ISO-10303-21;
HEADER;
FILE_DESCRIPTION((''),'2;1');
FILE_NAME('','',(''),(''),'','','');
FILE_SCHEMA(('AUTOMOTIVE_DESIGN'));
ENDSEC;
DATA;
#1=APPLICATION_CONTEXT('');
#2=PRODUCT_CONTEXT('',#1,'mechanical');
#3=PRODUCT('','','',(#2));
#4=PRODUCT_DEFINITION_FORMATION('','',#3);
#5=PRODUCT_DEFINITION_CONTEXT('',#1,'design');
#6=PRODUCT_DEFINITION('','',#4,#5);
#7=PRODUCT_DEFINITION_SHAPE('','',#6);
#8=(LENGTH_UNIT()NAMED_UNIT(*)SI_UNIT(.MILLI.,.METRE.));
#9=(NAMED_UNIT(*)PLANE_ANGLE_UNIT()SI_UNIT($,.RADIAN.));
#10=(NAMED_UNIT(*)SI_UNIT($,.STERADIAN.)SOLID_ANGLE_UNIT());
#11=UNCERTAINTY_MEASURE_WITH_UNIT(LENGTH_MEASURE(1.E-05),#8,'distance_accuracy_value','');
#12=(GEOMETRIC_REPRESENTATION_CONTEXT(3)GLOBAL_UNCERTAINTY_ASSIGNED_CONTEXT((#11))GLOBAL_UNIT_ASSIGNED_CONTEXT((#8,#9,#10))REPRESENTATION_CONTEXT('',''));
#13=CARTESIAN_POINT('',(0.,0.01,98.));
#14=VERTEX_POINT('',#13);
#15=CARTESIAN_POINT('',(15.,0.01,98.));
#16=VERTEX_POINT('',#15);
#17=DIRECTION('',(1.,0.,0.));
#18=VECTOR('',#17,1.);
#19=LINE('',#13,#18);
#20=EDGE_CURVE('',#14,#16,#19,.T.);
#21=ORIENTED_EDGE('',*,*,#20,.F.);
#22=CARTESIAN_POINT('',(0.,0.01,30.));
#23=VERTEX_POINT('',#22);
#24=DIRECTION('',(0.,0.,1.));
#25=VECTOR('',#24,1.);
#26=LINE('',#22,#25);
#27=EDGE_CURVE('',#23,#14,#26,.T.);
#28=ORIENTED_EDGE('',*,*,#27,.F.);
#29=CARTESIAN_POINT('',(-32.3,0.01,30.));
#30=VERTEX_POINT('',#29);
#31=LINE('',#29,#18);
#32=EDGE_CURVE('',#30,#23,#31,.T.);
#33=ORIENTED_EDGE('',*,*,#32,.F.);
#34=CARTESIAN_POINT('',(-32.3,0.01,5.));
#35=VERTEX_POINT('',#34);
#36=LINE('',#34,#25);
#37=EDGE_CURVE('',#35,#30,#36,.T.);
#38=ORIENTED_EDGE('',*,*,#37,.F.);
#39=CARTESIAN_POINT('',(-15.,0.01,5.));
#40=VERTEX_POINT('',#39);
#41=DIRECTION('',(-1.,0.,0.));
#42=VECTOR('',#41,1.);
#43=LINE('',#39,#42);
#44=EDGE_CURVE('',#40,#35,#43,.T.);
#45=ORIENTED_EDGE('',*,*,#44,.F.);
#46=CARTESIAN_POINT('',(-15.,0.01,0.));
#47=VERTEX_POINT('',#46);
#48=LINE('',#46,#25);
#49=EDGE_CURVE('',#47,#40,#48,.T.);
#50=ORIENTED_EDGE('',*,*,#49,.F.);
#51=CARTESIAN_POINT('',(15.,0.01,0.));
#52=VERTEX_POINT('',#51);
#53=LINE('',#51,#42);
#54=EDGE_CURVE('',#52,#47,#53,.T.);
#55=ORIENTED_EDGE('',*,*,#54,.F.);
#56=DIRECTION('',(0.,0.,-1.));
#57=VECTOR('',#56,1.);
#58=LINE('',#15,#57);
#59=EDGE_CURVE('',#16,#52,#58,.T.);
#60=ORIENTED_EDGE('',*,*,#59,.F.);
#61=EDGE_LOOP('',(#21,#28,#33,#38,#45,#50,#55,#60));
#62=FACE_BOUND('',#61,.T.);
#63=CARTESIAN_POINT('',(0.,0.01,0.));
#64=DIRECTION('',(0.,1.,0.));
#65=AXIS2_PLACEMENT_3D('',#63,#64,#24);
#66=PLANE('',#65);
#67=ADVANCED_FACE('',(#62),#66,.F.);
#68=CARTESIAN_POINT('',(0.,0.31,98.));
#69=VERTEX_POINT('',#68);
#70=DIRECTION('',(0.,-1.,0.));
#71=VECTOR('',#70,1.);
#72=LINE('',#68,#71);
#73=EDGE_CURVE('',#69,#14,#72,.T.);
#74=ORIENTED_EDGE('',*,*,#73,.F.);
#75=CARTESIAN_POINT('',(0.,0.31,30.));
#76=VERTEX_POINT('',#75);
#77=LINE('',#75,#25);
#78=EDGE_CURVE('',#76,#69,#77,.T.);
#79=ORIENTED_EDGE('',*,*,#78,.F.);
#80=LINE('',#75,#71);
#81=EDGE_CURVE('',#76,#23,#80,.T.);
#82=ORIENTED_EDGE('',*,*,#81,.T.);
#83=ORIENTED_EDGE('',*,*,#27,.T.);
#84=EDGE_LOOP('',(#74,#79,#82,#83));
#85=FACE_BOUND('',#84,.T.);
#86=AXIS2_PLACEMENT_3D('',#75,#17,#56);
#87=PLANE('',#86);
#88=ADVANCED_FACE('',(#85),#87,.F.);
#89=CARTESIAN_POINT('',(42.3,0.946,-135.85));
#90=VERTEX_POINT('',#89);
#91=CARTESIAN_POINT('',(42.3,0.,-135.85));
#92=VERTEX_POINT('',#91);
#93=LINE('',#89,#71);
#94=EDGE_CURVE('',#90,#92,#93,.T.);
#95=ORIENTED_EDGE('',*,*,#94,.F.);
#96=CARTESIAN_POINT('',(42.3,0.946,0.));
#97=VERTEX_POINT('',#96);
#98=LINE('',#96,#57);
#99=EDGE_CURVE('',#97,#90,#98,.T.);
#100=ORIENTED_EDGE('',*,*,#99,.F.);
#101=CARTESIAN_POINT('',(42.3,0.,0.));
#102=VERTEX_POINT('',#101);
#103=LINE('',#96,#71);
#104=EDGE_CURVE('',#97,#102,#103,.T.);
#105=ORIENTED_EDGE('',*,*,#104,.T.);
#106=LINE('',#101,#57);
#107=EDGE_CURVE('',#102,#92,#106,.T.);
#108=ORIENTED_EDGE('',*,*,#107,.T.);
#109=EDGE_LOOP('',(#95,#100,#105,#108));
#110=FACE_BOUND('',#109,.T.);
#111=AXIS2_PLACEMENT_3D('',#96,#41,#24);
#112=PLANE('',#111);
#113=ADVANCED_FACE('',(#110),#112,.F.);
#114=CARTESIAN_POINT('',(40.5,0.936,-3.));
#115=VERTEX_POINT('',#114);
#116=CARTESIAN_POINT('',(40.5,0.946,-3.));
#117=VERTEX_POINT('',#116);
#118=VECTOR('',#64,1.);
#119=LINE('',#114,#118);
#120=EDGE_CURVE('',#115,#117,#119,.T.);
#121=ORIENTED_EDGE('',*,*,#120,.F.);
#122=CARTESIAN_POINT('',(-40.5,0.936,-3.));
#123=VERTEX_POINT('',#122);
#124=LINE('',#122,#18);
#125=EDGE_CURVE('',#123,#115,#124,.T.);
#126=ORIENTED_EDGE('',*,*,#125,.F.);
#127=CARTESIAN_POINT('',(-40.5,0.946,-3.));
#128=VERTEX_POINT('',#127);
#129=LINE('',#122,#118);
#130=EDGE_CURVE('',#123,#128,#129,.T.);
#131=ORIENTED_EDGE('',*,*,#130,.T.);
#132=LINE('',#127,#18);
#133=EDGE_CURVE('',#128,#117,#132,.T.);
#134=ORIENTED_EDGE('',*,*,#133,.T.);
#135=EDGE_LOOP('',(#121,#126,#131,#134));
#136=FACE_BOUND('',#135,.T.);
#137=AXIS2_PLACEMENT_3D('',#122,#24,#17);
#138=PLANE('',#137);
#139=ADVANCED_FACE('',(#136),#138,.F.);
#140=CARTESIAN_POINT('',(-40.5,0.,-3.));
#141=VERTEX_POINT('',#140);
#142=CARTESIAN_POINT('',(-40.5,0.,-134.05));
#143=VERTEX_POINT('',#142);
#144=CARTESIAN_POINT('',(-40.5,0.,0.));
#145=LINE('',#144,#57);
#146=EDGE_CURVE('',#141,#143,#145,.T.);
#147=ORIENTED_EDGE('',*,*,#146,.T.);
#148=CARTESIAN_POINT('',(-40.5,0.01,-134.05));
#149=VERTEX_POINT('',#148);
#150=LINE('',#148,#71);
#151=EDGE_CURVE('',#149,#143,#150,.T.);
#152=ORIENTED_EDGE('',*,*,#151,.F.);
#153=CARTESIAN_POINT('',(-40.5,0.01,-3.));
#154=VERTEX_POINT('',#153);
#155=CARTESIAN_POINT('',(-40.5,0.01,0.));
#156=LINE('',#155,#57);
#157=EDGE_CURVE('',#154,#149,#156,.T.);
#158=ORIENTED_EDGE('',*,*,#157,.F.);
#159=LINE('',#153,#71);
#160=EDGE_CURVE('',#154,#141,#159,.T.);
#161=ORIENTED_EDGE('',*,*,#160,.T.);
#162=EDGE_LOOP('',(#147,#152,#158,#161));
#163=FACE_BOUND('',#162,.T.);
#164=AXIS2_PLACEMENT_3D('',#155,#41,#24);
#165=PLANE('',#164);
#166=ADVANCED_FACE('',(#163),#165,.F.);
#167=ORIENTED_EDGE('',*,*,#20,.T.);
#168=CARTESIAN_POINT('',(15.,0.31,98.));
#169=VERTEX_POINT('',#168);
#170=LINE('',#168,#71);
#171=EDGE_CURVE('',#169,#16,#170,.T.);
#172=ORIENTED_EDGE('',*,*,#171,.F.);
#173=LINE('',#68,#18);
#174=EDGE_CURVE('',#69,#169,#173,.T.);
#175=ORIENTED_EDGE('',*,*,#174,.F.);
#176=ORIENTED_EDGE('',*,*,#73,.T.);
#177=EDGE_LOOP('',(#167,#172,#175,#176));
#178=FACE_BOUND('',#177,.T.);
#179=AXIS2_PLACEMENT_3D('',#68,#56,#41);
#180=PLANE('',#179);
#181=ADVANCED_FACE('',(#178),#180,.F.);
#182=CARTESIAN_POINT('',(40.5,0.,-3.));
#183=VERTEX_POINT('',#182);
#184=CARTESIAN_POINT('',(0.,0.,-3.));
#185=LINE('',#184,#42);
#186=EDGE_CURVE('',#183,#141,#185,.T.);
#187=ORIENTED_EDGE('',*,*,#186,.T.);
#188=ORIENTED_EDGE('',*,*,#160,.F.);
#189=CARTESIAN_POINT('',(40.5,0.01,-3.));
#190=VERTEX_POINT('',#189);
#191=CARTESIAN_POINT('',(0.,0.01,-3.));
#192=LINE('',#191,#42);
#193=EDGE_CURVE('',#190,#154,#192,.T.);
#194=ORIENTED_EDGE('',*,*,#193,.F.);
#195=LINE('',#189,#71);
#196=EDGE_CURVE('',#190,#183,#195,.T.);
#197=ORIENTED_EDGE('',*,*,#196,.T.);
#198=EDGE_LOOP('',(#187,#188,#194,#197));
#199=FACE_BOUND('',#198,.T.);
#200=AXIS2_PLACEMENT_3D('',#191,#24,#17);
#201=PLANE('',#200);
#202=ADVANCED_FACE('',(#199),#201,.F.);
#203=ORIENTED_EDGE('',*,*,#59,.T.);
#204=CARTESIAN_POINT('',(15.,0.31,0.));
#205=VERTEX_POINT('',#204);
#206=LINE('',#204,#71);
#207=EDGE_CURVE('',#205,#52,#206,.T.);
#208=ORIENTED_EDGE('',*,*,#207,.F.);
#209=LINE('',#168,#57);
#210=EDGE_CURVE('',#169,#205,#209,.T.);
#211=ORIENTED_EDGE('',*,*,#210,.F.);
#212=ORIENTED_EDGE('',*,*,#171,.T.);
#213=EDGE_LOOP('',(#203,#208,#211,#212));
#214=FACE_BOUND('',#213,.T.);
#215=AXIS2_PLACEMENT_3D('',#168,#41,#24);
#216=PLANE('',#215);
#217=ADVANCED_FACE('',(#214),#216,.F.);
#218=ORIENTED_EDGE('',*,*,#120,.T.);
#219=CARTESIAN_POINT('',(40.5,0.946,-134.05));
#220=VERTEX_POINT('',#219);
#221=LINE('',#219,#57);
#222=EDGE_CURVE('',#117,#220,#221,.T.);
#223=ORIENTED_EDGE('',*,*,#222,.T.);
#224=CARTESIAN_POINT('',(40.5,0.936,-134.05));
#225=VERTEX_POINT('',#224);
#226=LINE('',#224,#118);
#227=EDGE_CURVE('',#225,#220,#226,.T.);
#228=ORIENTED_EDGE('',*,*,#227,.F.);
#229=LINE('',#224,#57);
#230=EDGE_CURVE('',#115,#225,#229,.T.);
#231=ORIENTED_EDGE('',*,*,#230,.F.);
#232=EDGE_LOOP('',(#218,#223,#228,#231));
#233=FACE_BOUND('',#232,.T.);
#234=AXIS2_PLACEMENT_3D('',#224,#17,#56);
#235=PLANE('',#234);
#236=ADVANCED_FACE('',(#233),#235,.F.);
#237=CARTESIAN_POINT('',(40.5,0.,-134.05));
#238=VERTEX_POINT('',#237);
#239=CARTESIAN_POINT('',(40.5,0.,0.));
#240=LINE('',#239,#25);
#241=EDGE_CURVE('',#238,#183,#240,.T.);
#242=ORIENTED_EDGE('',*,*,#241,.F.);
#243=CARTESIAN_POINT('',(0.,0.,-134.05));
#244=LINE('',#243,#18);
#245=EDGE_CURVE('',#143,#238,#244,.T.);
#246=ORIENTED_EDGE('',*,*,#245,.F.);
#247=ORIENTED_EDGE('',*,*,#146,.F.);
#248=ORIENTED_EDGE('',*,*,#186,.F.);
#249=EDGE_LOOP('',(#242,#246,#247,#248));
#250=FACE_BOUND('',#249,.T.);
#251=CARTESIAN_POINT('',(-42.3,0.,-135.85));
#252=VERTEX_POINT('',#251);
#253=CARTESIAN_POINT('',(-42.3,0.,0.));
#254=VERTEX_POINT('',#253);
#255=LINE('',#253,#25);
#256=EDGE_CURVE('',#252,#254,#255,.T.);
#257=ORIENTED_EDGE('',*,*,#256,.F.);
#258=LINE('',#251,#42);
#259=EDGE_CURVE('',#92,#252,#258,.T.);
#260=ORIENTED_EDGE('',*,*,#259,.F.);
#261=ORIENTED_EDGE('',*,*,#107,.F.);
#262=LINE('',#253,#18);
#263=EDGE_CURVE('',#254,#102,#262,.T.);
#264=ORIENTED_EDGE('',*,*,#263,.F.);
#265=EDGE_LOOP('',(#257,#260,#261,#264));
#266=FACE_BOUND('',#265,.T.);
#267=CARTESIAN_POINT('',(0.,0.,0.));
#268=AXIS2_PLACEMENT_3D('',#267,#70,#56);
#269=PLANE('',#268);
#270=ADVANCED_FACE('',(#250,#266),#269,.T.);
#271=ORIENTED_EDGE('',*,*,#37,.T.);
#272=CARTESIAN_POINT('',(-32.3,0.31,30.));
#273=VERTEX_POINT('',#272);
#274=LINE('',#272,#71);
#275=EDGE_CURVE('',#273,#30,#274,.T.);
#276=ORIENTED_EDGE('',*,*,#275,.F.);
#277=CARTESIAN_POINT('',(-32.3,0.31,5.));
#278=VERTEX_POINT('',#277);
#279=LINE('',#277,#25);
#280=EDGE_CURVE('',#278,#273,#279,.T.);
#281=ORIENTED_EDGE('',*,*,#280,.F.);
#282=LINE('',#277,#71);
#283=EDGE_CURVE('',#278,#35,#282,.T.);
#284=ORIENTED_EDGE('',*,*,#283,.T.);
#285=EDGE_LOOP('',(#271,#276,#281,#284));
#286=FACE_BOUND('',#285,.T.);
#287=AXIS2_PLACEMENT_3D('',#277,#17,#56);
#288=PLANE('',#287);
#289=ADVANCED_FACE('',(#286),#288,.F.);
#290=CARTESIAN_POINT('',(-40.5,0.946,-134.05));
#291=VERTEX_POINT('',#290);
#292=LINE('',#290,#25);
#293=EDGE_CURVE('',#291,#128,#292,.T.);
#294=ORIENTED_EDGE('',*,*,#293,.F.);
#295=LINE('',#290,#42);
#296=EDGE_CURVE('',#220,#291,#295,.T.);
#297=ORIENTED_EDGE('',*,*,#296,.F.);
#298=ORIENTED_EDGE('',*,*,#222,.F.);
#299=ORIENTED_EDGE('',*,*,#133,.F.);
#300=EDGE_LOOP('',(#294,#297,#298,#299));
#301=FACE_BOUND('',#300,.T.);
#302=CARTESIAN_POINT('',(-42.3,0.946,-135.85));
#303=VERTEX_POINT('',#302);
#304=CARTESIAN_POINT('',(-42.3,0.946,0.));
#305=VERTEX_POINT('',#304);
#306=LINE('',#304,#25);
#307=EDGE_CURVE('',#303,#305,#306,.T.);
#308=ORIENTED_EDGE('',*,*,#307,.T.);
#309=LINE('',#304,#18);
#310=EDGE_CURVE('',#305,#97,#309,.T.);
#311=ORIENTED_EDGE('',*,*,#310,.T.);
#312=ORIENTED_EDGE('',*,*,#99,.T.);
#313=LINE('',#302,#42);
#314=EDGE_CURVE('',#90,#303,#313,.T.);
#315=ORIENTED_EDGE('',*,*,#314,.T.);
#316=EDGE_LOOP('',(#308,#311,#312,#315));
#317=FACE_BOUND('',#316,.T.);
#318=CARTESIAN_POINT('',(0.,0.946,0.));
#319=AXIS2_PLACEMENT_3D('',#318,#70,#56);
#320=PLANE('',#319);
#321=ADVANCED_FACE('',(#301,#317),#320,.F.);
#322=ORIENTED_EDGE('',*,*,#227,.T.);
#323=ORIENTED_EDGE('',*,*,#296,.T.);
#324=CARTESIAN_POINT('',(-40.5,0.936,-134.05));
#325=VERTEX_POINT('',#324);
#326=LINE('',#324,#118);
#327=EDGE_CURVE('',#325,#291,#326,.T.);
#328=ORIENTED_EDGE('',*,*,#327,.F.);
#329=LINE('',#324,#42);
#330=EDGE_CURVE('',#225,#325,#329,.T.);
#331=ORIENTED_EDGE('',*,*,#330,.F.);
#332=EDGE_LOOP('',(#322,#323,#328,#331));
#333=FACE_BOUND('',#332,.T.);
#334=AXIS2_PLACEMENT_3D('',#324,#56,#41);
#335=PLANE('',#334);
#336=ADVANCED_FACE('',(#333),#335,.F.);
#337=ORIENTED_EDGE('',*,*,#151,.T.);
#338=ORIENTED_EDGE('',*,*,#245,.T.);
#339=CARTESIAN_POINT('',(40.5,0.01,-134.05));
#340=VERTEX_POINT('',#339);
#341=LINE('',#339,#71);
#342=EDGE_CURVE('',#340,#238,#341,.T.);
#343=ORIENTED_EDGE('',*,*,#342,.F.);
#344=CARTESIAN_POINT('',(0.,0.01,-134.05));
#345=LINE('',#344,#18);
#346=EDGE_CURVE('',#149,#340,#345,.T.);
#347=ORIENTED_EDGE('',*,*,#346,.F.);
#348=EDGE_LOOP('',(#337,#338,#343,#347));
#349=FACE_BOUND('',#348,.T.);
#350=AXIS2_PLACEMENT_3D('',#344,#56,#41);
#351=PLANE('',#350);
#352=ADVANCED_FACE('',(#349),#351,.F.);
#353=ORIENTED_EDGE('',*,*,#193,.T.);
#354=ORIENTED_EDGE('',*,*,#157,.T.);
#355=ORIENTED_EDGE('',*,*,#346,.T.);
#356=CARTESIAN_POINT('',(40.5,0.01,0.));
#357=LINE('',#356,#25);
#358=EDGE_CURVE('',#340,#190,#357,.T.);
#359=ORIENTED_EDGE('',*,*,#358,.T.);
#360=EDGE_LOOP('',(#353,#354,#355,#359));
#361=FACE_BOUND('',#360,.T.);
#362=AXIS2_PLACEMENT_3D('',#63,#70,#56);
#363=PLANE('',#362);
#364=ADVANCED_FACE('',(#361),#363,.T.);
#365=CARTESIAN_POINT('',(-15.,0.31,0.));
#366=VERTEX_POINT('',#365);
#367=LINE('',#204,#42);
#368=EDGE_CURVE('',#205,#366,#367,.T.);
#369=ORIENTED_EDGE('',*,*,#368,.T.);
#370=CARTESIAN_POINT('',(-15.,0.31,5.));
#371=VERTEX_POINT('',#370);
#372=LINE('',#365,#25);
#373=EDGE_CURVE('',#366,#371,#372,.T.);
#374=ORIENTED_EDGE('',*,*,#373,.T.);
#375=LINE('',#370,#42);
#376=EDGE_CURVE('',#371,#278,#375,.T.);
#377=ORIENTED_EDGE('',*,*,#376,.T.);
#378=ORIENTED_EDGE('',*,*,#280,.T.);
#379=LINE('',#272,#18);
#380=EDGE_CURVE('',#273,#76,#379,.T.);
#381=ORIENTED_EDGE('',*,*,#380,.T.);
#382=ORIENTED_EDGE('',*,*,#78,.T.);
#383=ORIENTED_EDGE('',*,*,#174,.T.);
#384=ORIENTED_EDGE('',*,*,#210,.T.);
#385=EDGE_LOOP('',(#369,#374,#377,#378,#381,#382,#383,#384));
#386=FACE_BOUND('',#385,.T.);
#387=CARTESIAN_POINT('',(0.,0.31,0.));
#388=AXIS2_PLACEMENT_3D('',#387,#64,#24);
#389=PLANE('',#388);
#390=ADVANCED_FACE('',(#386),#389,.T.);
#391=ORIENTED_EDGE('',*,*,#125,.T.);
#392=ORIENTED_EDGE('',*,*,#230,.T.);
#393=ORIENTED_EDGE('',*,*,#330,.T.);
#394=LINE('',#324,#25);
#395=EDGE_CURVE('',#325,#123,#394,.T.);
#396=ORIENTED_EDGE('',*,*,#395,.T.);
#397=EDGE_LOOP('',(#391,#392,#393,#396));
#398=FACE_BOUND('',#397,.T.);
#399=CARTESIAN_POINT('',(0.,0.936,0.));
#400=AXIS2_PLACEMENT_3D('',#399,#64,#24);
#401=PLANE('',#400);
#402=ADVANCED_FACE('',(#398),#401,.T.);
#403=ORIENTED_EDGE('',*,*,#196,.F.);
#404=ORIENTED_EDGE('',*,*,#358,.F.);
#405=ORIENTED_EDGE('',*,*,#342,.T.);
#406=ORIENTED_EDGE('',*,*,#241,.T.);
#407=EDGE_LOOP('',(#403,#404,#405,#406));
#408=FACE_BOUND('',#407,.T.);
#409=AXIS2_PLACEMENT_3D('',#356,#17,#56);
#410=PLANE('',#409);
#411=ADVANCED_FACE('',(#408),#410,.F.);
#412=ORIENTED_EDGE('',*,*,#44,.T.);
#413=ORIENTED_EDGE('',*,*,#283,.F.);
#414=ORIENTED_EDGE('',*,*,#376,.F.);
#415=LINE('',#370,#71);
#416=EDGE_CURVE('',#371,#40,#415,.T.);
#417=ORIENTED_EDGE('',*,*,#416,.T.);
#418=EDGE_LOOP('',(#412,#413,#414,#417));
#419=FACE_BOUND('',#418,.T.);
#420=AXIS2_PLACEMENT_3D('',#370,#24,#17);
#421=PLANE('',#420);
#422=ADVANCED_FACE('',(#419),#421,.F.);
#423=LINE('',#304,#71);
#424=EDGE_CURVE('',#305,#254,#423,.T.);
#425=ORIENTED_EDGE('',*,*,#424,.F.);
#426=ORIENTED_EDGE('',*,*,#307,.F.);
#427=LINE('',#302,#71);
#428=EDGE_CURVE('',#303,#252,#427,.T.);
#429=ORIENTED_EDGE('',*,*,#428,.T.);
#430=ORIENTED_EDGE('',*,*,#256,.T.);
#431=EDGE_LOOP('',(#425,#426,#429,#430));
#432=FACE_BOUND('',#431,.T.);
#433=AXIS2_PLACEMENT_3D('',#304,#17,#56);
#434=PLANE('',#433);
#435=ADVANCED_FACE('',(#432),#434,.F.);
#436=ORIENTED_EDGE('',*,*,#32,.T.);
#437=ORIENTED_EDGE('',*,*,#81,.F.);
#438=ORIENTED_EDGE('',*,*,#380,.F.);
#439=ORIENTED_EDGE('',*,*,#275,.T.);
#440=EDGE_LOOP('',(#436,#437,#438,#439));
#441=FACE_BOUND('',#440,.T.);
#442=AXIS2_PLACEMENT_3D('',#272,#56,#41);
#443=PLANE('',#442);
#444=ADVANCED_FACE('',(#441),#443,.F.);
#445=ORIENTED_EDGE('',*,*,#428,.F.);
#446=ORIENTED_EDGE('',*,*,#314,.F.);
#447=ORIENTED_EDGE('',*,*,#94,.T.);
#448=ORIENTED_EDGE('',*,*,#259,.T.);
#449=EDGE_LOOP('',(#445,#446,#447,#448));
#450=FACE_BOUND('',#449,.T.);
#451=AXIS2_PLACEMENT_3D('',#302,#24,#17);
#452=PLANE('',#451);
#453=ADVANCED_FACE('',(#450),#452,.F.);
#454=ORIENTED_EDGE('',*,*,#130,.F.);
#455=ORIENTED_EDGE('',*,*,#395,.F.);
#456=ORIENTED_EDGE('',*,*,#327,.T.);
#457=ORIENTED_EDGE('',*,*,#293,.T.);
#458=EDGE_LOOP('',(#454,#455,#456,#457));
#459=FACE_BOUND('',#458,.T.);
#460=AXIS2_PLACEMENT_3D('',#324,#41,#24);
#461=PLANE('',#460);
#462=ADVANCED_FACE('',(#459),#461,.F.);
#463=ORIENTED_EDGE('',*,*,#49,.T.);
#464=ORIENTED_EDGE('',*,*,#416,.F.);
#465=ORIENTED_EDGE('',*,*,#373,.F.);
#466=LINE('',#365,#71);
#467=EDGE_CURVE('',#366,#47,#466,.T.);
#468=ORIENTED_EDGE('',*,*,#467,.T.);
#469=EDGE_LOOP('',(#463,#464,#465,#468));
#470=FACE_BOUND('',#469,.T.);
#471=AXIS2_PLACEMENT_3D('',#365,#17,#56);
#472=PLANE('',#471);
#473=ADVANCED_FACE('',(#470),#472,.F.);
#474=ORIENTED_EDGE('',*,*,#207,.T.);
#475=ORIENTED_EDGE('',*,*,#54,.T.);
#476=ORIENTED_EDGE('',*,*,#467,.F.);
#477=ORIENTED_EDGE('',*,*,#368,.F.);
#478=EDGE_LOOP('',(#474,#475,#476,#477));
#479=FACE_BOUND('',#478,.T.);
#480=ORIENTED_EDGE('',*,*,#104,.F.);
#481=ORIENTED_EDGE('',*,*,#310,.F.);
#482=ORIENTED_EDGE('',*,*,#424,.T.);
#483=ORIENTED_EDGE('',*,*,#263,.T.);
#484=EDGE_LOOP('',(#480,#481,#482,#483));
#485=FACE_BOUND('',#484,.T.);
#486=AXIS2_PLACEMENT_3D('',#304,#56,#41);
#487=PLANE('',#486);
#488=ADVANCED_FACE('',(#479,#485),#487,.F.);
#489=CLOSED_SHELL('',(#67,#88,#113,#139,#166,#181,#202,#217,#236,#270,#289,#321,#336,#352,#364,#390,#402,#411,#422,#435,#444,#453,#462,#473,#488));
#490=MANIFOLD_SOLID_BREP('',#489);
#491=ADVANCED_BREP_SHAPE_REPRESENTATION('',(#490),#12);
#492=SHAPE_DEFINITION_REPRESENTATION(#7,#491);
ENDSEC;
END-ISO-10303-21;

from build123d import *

# Parameters (mm, degrees)
SKETCH1_W           = 84.6
SKETCH1_H           = 135.85
BOSS_EXTRUDE1_DEPTH = 0.946
BOSS_EXTRUDE2_START = 0.01
BOSS_EXTRUDE2_DEPTH = 0.3
SKETCH3_W           = 81
SKETCH3_H           = 131.05
CUT_EXTRUDE1_DEPTH  = 0.01
CUT_EXTRUDE3_START  = -0.946
SKETCH3_2_W         = 81
SKETCH3_2_H         = 131.05
CUT_EXTRUDE3_DEPTH  = 0.01


with BuildPart() as part:
    # Sketch1 → Boss-Extrude1 (new body)
    with BuildSketch(Plane(origin=(0, 0, 0), x_dir=(1, 0, 0), z_dir=(0, 1, 0))):
        with Locations((0, 67.925)):
            Rectangle(SKETCH1_W, SKETCH1_H)
    extrude(amount=BOSS_EXTRUDE1_DEPTH)

    # Sketch2 → Boss-Extrude2 (add)
    with BuildSketch(Plane(origin=(0, 0, 0), x_dir=(1, 0, 0), z_dir=(0, 1, 0)).offset(BOSS_EXTRUDE2_START)):
        Polygon((-15, 0), (-15, -5), (-32.3, -5), (-32.3, -30), (0, -30), (0, -98), (15, -98), (15, 0), align=None)
    extrude(amount=BOSS_EXTRUDE2_DEPTH)

    # Sketch3 → Cut-Extrude1 (cut)
    with BuildSketch(Plane(origin=(0, 0.946, 0), x_dir=(1, 0, 0), z_dir=(0, 1, 0))):
        with Locations((0, 68.525)):
            Rectangle(SKETCH3_W, SKETCH3_H)
    extrude(amount=-CUT_EXTRUDE1_DEPTH, mode=Mode.SUBTRACT)

    # Sketch3<2> → Cut-Extrude3 (cut)
    with BuildSketch(Plane(origin=(0, 0.946, 0), x_dir=(1, 0, 0), z_dir=(0, 1, 0)).offset(CUT_EXTRUDE3_START)):
        with Locations((0, 68.525)):
            Rectangle(SKETCH3_2_W, SKETCH3_2_H)
    extrude(amount=CUT_EXTRUDE3_DEPTH, mode=Mode.SUBTRACT)


solid = part.part
